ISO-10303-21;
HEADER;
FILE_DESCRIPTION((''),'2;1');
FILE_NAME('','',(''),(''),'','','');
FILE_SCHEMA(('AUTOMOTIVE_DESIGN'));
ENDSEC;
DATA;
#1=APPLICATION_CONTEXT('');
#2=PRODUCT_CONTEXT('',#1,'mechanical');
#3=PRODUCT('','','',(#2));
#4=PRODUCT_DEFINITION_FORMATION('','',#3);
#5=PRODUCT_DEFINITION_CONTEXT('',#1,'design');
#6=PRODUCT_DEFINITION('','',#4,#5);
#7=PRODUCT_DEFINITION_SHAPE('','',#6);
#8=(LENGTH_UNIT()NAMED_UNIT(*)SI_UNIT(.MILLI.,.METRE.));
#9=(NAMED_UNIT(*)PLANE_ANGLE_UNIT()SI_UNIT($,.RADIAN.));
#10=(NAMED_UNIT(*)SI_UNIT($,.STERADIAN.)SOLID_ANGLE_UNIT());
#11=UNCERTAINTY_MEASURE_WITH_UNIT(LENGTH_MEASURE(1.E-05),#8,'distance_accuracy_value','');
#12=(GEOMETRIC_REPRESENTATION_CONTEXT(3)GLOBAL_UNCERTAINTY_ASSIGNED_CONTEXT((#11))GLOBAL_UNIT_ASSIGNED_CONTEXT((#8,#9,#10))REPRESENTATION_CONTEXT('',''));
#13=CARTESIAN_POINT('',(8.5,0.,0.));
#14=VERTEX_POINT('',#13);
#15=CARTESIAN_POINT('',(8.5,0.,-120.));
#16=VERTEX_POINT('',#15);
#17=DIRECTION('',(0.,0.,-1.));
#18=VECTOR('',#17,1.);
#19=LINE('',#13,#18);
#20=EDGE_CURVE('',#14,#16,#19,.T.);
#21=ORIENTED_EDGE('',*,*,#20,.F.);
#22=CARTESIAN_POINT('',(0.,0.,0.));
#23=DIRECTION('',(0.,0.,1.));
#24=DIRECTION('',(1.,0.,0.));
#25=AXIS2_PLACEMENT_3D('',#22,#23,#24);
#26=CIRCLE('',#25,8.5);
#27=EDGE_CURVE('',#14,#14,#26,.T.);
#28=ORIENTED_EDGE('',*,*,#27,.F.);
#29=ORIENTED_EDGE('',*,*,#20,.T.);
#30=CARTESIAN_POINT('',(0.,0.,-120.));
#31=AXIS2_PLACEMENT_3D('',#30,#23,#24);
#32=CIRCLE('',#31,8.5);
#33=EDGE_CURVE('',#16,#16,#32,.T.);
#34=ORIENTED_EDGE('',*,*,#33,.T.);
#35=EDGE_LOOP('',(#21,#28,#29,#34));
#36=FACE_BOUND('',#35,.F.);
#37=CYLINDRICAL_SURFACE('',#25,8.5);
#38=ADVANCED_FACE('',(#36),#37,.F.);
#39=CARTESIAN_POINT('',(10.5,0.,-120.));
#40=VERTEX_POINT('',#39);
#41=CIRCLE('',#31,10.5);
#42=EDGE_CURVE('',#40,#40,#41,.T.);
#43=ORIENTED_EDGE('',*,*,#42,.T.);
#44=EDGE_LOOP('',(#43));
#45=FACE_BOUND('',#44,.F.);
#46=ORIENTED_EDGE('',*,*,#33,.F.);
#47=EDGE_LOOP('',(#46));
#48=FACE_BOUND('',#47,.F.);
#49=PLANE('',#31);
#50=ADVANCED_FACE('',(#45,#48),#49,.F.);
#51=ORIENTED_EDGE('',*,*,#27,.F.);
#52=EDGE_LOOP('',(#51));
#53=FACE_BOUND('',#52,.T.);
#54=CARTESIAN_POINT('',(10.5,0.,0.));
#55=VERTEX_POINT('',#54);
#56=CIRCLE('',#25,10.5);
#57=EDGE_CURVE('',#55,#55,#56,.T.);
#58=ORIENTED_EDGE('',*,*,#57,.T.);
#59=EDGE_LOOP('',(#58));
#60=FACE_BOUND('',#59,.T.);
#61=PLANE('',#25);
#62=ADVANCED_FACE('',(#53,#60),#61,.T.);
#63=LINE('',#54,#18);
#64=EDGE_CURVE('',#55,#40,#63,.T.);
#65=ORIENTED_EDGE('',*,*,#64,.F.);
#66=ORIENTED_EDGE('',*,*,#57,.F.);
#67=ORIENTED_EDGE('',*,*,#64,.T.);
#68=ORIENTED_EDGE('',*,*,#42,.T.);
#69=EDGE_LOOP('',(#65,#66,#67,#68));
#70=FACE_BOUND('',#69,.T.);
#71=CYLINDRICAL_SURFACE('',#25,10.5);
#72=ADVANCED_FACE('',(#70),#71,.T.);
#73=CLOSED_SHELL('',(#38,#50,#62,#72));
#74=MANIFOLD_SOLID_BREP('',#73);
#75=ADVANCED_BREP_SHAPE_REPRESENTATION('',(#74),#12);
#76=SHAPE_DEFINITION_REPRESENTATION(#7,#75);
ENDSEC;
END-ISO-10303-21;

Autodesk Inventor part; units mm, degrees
ref_plane "YZ Plane" through (0, 0, 0) normal (1, 0, 0) x (0, 1, 0)
ref_plane "XZ Plane" through (0, 0, 0) normal (0, 1, 0) x (-1, 0, 0)
ref_plane "XY Plane" through (0, 0, 0) normal (0, 0, 1) x (1, 0, 0)
sketch "Sketch11" plane through (0, 0, 0) normal (0, 0, 1) x (1, 0, 0)
  circle A0 centre (0, 0) radius 10.5
  circle A1 centre (0, 0) radius 8.5
  dimension "d187" = 21
  dimension "d188" = 2
extrude "Extrusion5" add sketch "Sketch11" against normal blind 120
properties part number "TKS 3549 FDS thread  tube9" material "Stainless Steel"
